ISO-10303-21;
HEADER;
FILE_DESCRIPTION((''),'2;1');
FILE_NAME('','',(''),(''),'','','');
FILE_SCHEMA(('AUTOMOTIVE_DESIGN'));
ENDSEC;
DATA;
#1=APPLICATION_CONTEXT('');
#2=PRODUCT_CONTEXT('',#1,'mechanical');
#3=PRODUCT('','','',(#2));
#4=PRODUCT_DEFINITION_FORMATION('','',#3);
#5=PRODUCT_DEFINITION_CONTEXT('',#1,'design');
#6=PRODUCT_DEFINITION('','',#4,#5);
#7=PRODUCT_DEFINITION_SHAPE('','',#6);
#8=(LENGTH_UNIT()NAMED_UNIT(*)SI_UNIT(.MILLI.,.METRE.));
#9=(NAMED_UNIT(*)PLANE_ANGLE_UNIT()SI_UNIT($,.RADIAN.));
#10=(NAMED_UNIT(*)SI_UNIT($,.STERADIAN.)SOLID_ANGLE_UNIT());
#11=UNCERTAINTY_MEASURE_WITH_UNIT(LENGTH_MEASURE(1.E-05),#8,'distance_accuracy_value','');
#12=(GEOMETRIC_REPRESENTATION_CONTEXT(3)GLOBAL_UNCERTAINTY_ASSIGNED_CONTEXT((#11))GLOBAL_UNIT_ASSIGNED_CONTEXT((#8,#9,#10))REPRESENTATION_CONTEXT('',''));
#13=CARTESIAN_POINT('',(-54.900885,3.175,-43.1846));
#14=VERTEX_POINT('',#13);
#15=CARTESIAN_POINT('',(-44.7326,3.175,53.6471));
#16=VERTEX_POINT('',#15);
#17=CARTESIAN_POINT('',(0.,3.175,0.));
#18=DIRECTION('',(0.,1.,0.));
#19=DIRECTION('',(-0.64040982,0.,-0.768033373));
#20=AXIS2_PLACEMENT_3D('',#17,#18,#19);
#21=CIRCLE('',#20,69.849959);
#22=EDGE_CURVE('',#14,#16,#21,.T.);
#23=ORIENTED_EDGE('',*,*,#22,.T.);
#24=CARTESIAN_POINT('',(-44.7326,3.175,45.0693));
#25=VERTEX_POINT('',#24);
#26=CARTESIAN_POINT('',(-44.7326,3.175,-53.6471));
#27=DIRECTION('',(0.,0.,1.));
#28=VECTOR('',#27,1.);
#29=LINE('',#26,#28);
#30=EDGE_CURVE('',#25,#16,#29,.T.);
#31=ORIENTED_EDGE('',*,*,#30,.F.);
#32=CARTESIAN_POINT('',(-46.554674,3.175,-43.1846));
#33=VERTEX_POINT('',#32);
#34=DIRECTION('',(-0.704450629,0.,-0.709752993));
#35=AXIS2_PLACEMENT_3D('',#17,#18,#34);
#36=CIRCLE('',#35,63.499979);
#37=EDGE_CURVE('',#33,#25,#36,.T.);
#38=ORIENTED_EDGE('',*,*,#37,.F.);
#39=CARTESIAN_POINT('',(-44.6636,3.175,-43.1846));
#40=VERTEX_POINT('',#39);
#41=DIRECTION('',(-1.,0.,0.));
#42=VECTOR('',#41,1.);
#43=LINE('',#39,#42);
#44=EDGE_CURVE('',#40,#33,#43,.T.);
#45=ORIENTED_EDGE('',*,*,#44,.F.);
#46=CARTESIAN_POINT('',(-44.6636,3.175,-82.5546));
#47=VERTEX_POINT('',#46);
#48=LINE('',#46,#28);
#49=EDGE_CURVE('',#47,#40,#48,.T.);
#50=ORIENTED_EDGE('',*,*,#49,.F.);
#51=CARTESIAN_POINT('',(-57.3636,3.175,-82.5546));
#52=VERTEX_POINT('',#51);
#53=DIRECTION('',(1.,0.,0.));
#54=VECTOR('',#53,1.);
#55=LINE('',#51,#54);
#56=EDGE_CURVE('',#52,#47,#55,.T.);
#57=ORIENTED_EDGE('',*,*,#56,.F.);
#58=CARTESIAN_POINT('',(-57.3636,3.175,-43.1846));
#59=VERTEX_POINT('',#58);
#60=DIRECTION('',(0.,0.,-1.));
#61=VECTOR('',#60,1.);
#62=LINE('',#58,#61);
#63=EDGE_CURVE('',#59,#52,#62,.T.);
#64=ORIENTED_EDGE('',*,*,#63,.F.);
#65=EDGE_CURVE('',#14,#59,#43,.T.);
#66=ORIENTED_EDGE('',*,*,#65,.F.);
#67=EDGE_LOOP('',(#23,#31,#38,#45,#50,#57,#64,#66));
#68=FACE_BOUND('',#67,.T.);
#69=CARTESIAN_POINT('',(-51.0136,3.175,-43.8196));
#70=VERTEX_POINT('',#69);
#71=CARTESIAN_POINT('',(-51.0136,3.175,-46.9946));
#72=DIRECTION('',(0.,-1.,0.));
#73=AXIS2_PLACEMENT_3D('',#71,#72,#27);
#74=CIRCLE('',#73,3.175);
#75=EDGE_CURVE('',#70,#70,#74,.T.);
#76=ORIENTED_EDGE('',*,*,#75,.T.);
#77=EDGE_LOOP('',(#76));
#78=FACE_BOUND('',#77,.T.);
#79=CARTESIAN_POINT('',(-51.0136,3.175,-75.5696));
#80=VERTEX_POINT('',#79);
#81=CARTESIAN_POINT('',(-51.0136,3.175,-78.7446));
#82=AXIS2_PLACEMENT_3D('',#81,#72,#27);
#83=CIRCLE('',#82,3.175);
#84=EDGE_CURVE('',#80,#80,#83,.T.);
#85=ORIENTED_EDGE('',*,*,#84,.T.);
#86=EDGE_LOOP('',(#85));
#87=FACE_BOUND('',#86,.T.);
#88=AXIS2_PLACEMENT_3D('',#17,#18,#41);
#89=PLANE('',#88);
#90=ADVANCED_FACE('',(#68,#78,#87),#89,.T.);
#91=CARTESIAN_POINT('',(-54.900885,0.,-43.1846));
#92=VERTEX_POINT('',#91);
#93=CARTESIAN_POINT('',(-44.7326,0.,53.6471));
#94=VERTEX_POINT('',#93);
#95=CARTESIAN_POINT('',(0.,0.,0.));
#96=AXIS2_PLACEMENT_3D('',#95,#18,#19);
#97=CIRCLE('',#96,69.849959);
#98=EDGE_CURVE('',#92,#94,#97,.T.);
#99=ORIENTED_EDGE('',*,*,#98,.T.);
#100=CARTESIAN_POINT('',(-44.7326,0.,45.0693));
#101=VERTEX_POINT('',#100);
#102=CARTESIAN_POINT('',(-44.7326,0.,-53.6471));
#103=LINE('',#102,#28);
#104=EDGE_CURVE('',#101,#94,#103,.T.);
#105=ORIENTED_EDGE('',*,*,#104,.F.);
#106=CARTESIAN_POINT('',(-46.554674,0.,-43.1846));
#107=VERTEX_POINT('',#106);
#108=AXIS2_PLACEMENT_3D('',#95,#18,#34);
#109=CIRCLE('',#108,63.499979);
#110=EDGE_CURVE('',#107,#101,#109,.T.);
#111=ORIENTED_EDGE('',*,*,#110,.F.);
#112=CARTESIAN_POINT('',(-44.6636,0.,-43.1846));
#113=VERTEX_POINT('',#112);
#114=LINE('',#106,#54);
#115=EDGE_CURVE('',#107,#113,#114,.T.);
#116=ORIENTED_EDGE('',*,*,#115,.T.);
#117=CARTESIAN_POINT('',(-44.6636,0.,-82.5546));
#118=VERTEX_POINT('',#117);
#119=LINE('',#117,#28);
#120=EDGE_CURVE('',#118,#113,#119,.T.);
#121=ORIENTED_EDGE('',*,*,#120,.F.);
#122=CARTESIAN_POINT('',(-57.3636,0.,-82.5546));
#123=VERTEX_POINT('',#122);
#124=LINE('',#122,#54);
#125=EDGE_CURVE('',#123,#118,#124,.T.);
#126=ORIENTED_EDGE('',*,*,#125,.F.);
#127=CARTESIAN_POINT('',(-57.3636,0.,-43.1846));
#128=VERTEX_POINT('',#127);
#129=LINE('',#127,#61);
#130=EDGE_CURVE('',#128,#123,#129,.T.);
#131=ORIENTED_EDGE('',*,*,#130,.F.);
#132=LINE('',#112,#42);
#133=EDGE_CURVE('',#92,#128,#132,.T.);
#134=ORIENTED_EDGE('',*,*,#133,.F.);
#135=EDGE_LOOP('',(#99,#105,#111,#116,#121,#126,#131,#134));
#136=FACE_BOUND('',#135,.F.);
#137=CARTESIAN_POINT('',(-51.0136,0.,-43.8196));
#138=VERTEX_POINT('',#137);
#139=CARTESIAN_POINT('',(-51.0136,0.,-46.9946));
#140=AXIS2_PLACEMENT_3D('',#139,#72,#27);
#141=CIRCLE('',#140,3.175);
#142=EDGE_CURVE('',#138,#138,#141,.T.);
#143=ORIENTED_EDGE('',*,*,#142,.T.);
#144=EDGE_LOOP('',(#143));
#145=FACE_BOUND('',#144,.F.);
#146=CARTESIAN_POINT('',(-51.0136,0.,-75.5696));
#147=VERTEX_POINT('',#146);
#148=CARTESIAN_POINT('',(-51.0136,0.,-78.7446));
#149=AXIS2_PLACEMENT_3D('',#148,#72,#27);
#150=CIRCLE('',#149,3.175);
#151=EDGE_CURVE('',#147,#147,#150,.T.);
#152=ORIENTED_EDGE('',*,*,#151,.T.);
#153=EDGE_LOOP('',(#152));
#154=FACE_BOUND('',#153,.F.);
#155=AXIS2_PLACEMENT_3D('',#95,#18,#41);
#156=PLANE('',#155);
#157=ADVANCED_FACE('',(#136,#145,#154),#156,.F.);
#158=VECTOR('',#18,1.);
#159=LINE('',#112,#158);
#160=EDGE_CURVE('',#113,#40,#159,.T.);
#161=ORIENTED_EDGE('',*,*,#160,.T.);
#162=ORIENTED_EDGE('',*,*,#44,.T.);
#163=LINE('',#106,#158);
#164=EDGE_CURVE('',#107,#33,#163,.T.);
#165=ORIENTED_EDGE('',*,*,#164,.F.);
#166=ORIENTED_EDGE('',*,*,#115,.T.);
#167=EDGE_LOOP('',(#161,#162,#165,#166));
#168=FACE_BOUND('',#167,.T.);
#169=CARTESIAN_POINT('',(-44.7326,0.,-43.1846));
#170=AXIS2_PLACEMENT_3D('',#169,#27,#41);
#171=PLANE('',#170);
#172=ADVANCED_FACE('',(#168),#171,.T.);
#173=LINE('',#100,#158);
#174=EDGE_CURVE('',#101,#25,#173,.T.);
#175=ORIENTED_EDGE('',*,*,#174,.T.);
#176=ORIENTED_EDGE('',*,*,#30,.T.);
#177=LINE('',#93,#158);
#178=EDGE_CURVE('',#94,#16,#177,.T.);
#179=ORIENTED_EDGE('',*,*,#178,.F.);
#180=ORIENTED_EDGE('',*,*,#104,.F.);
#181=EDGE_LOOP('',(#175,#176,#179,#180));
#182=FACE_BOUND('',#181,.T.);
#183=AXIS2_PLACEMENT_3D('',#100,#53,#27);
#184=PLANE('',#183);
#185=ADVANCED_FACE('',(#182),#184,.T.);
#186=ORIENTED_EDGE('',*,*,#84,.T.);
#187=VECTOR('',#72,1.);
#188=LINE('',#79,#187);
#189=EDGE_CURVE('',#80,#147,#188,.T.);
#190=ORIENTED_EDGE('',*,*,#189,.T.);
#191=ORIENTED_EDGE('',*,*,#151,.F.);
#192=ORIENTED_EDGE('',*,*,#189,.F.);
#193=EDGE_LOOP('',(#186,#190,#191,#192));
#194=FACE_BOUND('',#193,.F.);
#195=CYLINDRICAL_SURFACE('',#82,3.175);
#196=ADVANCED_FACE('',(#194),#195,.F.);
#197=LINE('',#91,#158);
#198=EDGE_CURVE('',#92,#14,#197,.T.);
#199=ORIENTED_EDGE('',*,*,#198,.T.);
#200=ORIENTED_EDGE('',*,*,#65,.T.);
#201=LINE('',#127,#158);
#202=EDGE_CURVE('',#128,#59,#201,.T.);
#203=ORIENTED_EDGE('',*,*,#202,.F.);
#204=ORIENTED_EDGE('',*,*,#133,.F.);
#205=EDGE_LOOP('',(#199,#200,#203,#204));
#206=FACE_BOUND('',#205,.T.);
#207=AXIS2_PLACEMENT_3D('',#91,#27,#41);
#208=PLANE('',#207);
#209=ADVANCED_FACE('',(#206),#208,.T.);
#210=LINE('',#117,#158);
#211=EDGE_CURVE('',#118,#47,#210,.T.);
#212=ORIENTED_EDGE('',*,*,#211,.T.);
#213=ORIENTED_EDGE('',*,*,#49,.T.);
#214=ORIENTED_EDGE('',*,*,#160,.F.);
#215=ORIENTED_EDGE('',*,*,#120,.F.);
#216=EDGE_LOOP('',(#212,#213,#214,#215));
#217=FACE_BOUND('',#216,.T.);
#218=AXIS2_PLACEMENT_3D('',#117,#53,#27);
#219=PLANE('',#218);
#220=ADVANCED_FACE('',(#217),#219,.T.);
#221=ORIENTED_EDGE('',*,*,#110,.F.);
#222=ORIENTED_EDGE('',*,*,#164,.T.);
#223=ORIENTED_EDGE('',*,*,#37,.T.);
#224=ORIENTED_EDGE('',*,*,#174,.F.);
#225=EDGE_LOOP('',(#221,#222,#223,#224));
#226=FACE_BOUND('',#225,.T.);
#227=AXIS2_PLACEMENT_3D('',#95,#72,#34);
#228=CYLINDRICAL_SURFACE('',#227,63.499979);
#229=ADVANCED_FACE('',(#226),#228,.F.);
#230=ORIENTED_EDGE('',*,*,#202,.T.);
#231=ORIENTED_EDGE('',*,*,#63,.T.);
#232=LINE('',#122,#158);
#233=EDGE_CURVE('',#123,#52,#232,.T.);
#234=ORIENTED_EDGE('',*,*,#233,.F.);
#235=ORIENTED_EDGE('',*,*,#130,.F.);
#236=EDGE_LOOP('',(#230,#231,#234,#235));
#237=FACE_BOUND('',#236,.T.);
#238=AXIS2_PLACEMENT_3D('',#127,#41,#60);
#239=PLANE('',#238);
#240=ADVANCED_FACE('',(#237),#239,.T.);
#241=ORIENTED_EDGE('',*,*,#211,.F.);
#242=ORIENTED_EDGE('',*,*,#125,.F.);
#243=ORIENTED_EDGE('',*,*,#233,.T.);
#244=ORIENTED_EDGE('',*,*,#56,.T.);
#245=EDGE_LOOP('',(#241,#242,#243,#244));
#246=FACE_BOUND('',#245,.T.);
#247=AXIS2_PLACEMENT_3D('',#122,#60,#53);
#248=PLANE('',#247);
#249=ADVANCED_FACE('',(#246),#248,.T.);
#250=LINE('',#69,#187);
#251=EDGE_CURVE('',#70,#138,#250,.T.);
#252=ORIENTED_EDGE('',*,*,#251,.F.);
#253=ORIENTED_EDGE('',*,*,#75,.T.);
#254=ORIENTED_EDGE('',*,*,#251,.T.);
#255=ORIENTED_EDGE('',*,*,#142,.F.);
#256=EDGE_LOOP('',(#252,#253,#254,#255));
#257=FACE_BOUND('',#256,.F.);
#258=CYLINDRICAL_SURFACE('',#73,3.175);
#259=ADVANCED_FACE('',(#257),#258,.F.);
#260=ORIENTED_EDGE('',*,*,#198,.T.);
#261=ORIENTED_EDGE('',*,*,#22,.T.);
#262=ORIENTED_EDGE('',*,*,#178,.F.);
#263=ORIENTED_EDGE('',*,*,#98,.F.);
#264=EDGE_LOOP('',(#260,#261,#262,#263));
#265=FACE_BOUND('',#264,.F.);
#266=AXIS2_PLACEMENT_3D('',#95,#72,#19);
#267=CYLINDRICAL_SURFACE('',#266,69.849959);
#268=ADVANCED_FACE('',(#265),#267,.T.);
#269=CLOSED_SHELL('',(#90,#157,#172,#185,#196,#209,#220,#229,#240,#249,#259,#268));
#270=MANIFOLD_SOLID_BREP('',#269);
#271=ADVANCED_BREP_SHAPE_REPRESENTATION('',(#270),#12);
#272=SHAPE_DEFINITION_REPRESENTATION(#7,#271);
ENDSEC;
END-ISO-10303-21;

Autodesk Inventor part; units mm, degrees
ref_plane "YZ Plane" through (0, 0, 0) normal (1, 0, 0) x (0, 1, 0)
ref_plane "XZ Plane" through (0, 0, 0) normal (0, 1, 0) x (-1, 0, 0)
ref_plane "XY Plane" through (0, 0, 0) normal (0, 0, 1) x (1, 0, 0)
sketch "Sketch1" plane through (0, 0, 0) normal (0, 1, 0) x (-1, 0, 0)
  arc A0 (44.7326, -45.0693) -> (44.7326, 45.0693) centre (0, 0) ccw
  line L0 (44.6636, -43.1846) -> (57.3636, -43.1846)
  line L1 (57.3636, -43.1846) -> (57.3636, -82.5546)
  line L2 (57.3636, -82.5546) -> (44.6636, -82.5546)
  line L3 (44.6636, -82.5546) -> (44.6636, -43.1846)
  line L4 (44.7326, -53.6471) -> (44.7326, 53.6471)
  arc A1 (44.7326, -53.6471) -> (44.7326, 53.6471) centre (0, 0) ccw
  point P0 (54.901, -43.1846)
  point P1 (46.5547, -43.1846)
  dimension "d0" = 63.5
  dimension "d2" = 12.7
  dimension "d3" = 39.37
extrude "Extrusion1" add sketch "Sketch1" along normal blind 3.175 contours L4 L0 A0 | A0 L0 A1 L4 | L4 A1 L0 L1 L2 L3 | A0 L4 A1 L0 picked at (44.9379, -44.2344)
sketch "Sketch2" plane through (0, 3.175, 0) normal (0, 1, 0) x (1, 0, 0)
  line L0 (-57.3636, 82.5546) -> (-57.3636, 43.1846) projected
  line L1 (-44.6636, 82.5546) -> (-57.3636, 82.5546) projected
  line L2 (-46.5547, 43.1846) -> (-44.6636, 43.1846) projected
  line L3 (-44.6636, 43.1846) -> (-44.6636, 82.5546) projected
  line L4 (-57.3636, 43.1846) -> (-54.901, 43.1846) projected
  arc A0 (-54.901, 43.1846) -> (-44.7326, -53.6471) centre (0, 0) ccw projected
  line L5 (-44.7326, -53.6471) -> (-44.7326, -45.0693) projected
  arc A1 (-46.5547, 43.1846) -> (-44.7326, -45.0693) centre (0, 0) ccw projected
  point P0 (-51.0136, 46.9946)
  point P1 (-51.0136, 78.7446)
  dimension "d6" = 12.7
  dimension "d7" = 6.35
  dimension "d8" = 6.35
  dimension "d9" = 31.75
  dimension "d10" = 39.37
  dimension "d11" = 3.81
hole "Hole1" at (-51.0136, 3.175, -46.9946) at (-51.0136, 3.175, -78.7446) direction (0, -1, 0) diameter 6.35 depth 19.05 tip angle 118
equation "\"d7\" = 0.5 * d6"
equation "\"d8\" = d7"
equation "\"d11\" = -0.5 * d9 + 0.5 * d10"
properties part number "grabber"
